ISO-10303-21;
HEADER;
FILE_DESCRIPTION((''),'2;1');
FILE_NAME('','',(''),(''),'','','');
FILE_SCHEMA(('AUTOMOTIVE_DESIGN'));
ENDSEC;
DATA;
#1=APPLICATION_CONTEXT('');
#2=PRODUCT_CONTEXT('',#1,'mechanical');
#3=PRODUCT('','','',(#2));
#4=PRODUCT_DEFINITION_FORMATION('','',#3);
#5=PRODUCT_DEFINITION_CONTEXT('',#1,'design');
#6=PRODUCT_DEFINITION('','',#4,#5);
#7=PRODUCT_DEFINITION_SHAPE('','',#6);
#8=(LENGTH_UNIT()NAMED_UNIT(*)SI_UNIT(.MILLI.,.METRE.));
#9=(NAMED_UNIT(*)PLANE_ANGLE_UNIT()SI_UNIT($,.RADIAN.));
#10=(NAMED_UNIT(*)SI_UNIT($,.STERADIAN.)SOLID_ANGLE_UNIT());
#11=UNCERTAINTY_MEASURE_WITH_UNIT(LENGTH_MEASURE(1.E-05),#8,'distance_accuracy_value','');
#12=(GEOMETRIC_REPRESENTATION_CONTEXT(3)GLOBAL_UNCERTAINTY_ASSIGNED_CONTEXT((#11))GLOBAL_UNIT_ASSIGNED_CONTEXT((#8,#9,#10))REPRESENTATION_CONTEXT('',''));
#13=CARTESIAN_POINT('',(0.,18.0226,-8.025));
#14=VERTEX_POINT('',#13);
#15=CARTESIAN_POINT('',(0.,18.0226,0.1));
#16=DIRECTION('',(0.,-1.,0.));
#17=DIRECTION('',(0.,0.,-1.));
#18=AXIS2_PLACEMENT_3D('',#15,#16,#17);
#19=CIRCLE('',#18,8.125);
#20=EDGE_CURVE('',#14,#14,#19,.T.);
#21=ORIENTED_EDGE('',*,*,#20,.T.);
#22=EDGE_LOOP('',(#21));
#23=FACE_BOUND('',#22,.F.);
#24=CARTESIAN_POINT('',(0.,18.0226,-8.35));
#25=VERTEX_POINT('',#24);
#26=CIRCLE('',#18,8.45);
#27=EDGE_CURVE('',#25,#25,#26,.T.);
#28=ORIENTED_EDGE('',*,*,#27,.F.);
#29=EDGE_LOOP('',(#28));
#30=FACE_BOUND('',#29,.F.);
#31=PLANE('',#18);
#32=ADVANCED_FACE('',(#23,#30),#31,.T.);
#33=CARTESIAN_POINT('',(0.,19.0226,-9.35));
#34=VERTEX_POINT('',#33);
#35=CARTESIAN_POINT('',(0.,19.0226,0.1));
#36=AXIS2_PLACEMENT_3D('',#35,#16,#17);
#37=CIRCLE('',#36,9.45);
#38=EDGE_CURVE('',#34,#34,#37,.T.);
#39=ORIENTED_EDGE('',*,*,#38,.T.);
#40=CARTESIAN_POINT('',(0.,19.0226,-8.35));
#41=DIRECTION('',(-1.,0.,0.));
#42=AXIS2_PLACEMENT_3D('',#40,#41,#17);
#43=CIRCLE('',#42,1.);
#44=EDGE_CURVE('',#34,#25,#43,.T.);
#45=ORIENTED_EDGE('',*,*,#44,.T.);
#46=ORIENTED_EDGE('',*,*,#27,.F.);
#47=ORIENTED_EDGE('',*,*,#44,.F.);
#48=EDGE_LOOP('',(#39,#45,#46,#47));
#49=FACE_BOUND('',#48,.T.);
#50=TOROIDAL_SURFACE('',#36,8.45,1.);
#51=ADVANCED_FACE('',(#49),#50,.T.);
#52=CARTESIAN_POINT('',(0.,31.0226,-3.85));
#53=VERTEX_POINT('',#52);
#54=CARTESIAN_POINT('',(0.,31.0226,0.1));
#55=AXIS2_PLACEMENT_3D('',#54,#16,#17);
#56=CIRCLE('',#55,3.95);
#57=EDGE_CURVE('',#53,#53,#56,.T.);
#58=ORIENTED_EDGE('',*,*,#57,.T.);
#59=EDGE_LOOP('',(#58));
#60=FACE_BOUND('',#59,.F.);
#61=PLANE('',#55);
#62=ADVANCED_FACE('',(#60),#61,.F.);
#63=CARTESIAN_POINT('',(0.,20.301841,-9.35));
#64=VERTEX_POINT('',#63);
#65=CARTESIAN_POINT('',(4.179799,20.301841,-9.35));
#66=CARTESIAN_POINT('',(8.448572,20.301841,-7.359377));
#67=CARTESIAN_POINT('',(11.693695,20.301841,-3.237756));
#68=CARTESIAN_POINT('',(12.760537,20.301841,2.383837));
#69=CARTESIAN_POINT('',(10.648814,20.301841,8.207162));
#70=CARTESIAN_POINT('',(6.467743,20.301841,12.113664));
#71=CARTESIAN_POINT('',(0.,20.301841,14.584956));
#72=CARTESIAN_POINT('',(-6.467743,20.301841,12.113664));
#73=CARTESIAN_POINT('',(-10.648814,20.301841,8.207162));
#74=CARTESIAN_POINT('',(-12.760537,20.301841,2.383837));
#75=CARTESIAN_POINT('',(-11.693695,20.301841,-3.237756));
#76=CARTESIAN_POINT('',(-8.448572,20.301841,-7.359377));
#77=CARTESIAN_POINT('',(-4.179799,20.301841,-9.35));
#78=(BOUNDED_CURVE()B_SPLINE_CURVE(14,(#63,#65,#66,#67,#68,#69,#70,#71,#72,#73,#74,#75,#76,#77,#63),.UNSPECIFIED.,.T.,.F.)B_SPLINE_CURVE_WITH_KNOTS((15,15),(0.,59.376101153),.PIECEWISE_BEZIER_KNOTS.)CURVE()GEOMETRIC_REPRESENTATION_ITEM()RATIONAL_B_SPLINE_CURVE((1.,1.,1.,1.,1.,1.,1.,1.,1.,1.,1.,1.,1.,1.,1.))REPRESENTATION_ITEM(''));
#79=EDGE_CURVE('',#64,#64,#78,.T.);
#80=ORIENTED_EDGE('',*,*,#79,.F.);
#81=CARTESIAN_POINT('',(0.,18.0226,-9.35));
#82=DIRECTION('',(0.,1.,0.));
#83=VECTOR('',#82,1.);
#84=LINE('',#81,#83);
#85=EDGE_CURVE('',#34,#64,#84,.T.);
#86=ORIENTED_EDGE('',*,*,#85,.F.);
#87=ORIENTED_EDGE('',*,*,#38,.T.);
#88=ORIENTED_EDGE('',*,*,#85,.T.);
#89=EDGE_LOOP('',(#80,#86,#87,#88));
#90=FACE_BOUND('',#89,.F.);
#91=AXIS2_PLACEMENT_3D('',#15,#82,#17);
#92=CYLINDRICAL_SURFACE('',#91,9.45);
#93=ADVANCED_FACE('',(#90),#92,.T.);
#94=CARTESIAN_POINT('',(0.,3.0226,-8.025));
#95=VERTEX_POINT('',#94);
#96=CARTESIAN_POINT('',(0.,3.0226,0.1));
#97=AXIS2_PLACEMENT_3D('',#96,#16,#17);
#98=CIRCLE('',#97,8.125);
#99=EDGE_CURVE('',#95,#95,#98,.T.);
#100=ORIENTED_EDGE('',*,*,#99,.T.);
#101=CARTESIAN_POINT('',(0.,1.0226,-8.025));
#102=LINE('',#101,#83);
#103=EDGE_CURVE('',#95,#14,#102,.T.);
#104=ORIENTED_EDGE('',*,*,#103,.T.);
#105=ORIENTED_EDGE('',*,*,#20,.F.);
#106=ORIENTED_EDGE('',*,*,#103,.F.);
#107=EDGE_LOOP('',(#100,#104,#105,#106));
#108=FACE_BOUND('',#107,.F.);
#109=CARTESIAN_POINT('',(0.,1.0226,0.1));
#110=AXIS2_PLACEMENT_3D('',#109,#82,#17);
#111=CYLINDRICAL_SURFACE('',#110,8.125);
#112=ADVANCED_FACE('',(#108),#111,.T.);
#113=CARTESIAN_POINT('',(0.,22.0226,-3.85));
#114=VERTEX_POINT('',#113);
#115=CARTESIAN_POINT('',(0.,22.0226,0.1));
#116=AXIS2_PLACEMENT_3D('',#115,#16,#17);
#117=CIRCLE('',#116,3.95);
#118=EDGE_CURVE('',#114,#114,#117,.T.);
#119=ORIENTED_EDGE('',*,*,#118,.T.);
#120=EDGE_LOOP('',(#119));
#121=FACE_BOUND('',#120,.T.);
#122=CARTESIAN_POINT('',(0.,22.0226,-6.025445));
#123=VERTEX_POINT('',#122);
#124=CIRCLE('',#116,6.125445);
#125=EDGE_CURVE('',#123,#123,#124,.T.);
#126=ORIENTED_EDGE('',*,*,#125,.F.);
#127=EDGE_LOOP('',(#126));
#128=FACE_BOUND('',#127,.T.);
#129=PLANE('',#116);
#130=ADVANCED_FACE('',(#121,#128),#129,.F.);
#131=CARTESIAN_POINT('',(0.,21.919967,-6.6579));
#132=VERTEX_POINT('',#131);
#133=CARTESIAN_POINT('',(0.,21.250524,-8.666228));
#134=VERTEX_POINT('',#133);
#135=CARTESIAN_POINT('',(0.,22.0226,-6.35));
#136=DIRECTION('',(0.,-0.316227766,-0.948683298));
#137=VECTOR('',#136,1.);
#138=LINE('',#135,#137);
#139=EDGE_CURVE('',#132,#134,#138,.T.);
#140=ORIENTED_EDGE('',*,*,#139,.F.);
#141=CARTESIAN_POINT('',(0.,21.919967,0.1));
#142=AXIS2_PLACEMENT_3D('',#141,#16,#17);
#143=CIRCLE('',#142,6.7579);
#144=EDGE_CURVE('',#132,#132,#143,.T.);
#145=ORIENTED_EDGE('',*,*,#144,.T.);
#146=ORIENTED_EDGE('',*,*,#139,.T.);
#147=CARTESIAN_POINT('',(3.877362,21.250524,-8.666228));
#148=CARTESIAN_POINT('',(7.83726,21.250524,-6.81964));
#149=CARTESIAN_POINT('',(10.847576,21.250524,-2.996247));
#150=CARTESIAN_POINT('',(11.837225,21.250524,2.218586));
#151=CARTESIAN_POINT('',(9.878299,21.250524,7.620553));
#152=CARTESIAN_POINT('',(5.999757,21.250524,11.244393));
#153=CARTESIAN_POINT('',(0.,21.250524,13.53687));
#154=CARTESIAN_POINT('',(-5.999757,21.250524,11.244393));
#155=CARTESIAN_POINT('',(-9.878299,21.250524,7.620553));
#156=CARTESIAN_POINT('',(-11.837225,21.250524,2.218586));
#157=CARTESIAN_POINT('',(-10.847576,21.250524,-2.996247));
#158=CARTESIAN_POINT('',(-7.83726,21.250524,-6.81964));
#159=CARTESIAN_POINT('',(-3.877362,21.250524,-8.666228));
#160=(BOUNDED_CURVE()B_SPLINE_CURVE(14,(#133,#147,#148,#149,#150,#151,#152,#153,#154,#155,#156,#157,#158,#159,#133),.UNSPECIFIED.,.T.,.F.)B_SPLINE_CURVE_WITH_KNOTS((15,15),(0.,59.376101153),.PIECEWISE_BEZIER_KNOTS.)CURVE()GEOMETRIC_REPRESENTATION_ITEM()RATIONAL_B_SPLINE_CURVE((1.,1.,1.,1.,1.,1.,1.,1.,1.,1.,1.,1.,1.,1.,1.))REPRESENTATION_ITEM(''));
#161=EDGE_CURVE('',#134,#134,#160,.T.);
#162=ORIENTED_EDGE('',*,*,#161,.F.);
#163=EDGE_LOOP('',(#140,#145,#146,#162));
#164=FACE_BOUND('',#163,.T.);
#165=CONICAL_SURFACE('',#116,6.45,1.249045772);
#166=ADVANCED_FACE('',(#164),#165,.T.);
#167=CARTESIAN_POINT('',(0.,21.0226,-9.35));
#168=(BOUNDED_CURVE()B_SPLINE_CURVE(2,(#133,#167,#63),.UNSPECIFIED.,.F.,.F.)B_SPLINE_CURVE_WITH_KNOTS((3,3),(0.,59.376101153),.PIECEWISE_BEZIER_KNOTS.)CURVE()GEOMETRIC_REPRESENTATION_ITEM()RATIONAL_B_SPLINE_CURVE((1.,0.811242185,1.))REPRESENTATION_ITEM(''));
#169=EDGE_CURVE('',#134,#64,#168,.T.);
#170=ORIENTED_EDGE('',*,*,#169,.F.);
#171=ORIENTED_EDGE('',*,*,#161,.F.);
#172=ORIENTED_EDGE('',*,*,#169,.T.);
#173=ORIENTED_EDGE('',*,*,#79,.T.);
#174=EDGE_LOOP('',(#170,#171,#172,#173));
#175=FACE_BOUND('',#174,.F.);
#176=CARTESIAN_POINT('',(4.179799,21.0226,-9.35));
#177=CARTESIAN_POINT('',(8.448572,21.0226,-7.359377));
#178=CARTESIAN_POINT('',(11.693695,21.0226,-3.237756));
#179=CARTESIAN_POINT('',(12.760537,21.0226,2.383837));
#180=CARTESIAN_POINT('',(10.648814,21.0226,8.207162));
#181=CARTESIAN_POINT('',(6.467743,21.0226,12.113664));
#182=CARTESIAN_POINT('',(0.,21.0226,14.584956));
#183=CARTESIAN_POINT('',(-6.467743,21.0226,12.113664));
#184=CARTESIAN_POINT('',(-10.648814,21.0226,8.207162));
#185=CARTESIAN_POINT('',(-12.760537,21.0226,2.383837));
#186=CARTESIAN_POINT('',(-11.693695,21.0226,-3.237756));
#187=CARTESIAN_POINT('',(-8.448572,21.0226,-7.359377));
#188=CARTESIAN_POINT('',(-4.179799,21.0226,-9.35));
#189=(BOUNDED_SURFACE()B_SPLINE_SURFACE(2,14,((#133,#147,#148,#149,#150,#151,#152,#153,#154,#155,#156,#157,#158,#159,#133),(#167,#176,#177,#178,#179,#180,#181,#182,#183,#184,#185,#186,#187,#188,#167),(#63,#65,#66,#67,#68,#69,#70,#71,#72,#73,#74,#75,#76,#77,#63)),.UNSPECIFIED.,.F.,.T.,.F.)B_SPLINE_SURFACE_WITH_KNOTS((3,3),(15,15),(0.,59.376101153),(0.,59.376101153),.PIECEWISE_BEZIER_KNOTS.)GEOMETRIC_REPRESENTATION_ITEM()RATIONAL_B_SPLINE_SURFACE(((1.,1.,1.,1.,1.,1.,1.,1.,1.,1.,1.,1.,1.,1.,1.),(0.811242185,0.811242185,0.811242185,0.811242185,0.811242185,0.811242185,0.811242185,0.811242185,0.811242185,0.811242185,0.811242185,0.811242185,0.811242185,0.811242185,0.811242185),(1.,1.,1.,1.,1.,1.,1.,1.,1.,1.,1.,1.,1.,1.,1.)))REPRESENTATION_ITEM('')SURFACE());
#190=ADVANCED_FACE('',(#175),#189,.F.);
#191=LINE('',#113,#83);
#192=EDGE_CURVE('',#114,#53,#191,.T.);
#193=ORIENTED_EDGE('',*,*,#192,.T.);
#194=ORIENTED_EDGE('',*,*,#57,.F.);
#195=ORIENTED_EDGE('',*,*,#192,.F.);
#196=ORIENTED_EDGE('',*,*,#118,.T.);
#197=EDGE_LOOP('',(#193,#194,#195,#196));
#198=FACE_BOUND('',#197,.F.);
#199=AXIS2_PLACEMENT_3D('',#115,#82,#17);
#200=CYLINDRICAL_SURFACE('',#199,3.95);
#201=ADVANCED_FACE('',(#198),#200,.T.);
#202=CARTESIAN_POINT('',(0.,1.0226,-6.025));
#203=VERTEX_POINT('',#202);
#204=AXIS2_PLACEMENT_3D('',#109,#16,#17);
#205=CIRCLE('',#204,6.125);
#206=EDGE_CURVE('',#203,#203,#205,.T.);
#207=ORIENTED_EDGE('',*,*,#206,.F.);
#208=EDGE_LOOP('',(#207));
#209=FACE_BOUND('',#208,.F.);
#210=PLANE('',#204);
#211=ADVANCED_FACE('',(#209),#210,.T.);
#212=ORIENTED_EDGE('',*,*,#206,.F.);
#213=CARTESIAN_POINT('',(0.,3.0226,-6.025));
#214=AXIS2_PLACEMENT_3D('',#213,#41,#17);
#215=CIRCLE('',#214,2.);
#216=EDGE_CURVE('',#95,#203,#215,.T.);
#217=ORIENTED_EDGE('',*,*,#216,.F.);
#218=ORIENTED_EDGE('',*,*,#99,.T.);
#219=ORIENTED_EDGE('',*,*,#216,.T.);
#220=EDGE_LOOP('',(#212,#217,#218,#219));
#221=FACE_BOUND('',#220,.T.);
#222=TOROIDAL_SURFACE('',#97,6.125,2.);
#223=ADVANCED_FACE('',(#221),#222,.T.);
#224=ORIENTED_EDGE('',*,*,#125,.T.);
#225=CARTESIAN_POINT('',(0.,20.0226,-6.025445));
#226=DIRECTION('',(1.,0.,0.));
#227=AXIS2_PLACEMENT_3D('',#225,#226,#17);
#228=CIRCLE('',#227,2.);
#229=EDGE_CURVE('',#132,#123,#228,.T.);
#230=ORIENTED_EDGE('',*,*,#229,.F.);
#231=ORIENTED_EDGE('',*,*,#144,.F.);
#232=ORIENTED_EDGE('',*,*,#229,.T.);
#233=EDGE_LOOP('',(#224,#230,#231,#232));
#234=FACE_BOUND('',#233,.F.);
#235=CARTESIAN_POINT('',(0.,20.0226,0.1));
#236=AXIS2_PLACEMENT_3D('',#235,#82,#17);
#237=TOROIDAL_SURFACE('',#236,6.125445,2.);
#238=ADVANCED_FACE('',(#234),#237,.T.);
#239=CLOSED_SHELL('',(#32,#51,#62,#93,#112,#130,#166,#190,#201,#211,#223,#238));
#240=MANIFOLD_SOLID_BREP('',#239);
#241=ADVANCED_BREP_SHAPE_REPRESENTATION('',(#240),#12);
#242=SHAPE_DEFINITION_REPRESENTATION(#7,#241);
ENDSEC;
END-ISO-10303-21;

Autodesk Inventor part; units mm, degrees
ref_plane "YZ Plane" through (0, 0, 0) normal (1, 0, 0) x (0, 1, 0)
ref_plane "XZ Plane" through (0, 0, 0) normal (0, 1, 0) x (-1, 0, 0)
ref_plane "XY Plane" through (0, 0, 0) normal (0, 0, 1) x (1, 0, 0)
sketch "Sketch1" plane through (0, 0, 0) normal (1, 0, 0) x (0, 1, 0)
  line L0 (31.0226, 0.1) -> (1.0226, 0.1)
  line L1 (1.0226, -8.025) -> (18.0226, -8.025)
  line L2 (18.0226, -8.025) -> (18.0226, -9.35)
  line L3 (18.0226, -9.35) -> (21.0226, -9.35)
  line L4 (22.0226, -3.85) -> (31.0226, -3.85)
  line L5 (31.0226, -3.85) -> (31.0226, 0.1)
  line L6 (1.0226, 0.1) -> (1.0226, -8.025)
  line L7 (51.327, 0.1) -> (-7.0634, 0.1) construction
  line L8 (22.0226, -3.85) -> (22.0226, -6.35)
  line L9 (22.0226, -6.35) -> (21.0226, -9.35)
  point P0 (0, 0)
  dimension "d0" = 3.95
  dimension "d2" = 3
  dimension "d4" = 9
  dimension "d5" = 30
  dimension "d7" = 8.125
  dimension "d11" = 2.5
  dimension "d12" = 1
  dimension "d14" = 0
revolve "Revolution1" add sketch "Sketch1" angle 360 about axis through (0, 51.327, 0.1) along (0, -1, 0)
fillet "Fillet1" radius 1 2 edges at (0, 21.0226, 9.55) (0, 18.0226, 9.55)
fillet "Fillet3" radius 2 1 edges at (0, 1.0226, 8.225)
fillet "Fillet4" radius 2 1 edges at (0, 22.0226, 6.55)
properties part number "ConexionDireccionTop"
